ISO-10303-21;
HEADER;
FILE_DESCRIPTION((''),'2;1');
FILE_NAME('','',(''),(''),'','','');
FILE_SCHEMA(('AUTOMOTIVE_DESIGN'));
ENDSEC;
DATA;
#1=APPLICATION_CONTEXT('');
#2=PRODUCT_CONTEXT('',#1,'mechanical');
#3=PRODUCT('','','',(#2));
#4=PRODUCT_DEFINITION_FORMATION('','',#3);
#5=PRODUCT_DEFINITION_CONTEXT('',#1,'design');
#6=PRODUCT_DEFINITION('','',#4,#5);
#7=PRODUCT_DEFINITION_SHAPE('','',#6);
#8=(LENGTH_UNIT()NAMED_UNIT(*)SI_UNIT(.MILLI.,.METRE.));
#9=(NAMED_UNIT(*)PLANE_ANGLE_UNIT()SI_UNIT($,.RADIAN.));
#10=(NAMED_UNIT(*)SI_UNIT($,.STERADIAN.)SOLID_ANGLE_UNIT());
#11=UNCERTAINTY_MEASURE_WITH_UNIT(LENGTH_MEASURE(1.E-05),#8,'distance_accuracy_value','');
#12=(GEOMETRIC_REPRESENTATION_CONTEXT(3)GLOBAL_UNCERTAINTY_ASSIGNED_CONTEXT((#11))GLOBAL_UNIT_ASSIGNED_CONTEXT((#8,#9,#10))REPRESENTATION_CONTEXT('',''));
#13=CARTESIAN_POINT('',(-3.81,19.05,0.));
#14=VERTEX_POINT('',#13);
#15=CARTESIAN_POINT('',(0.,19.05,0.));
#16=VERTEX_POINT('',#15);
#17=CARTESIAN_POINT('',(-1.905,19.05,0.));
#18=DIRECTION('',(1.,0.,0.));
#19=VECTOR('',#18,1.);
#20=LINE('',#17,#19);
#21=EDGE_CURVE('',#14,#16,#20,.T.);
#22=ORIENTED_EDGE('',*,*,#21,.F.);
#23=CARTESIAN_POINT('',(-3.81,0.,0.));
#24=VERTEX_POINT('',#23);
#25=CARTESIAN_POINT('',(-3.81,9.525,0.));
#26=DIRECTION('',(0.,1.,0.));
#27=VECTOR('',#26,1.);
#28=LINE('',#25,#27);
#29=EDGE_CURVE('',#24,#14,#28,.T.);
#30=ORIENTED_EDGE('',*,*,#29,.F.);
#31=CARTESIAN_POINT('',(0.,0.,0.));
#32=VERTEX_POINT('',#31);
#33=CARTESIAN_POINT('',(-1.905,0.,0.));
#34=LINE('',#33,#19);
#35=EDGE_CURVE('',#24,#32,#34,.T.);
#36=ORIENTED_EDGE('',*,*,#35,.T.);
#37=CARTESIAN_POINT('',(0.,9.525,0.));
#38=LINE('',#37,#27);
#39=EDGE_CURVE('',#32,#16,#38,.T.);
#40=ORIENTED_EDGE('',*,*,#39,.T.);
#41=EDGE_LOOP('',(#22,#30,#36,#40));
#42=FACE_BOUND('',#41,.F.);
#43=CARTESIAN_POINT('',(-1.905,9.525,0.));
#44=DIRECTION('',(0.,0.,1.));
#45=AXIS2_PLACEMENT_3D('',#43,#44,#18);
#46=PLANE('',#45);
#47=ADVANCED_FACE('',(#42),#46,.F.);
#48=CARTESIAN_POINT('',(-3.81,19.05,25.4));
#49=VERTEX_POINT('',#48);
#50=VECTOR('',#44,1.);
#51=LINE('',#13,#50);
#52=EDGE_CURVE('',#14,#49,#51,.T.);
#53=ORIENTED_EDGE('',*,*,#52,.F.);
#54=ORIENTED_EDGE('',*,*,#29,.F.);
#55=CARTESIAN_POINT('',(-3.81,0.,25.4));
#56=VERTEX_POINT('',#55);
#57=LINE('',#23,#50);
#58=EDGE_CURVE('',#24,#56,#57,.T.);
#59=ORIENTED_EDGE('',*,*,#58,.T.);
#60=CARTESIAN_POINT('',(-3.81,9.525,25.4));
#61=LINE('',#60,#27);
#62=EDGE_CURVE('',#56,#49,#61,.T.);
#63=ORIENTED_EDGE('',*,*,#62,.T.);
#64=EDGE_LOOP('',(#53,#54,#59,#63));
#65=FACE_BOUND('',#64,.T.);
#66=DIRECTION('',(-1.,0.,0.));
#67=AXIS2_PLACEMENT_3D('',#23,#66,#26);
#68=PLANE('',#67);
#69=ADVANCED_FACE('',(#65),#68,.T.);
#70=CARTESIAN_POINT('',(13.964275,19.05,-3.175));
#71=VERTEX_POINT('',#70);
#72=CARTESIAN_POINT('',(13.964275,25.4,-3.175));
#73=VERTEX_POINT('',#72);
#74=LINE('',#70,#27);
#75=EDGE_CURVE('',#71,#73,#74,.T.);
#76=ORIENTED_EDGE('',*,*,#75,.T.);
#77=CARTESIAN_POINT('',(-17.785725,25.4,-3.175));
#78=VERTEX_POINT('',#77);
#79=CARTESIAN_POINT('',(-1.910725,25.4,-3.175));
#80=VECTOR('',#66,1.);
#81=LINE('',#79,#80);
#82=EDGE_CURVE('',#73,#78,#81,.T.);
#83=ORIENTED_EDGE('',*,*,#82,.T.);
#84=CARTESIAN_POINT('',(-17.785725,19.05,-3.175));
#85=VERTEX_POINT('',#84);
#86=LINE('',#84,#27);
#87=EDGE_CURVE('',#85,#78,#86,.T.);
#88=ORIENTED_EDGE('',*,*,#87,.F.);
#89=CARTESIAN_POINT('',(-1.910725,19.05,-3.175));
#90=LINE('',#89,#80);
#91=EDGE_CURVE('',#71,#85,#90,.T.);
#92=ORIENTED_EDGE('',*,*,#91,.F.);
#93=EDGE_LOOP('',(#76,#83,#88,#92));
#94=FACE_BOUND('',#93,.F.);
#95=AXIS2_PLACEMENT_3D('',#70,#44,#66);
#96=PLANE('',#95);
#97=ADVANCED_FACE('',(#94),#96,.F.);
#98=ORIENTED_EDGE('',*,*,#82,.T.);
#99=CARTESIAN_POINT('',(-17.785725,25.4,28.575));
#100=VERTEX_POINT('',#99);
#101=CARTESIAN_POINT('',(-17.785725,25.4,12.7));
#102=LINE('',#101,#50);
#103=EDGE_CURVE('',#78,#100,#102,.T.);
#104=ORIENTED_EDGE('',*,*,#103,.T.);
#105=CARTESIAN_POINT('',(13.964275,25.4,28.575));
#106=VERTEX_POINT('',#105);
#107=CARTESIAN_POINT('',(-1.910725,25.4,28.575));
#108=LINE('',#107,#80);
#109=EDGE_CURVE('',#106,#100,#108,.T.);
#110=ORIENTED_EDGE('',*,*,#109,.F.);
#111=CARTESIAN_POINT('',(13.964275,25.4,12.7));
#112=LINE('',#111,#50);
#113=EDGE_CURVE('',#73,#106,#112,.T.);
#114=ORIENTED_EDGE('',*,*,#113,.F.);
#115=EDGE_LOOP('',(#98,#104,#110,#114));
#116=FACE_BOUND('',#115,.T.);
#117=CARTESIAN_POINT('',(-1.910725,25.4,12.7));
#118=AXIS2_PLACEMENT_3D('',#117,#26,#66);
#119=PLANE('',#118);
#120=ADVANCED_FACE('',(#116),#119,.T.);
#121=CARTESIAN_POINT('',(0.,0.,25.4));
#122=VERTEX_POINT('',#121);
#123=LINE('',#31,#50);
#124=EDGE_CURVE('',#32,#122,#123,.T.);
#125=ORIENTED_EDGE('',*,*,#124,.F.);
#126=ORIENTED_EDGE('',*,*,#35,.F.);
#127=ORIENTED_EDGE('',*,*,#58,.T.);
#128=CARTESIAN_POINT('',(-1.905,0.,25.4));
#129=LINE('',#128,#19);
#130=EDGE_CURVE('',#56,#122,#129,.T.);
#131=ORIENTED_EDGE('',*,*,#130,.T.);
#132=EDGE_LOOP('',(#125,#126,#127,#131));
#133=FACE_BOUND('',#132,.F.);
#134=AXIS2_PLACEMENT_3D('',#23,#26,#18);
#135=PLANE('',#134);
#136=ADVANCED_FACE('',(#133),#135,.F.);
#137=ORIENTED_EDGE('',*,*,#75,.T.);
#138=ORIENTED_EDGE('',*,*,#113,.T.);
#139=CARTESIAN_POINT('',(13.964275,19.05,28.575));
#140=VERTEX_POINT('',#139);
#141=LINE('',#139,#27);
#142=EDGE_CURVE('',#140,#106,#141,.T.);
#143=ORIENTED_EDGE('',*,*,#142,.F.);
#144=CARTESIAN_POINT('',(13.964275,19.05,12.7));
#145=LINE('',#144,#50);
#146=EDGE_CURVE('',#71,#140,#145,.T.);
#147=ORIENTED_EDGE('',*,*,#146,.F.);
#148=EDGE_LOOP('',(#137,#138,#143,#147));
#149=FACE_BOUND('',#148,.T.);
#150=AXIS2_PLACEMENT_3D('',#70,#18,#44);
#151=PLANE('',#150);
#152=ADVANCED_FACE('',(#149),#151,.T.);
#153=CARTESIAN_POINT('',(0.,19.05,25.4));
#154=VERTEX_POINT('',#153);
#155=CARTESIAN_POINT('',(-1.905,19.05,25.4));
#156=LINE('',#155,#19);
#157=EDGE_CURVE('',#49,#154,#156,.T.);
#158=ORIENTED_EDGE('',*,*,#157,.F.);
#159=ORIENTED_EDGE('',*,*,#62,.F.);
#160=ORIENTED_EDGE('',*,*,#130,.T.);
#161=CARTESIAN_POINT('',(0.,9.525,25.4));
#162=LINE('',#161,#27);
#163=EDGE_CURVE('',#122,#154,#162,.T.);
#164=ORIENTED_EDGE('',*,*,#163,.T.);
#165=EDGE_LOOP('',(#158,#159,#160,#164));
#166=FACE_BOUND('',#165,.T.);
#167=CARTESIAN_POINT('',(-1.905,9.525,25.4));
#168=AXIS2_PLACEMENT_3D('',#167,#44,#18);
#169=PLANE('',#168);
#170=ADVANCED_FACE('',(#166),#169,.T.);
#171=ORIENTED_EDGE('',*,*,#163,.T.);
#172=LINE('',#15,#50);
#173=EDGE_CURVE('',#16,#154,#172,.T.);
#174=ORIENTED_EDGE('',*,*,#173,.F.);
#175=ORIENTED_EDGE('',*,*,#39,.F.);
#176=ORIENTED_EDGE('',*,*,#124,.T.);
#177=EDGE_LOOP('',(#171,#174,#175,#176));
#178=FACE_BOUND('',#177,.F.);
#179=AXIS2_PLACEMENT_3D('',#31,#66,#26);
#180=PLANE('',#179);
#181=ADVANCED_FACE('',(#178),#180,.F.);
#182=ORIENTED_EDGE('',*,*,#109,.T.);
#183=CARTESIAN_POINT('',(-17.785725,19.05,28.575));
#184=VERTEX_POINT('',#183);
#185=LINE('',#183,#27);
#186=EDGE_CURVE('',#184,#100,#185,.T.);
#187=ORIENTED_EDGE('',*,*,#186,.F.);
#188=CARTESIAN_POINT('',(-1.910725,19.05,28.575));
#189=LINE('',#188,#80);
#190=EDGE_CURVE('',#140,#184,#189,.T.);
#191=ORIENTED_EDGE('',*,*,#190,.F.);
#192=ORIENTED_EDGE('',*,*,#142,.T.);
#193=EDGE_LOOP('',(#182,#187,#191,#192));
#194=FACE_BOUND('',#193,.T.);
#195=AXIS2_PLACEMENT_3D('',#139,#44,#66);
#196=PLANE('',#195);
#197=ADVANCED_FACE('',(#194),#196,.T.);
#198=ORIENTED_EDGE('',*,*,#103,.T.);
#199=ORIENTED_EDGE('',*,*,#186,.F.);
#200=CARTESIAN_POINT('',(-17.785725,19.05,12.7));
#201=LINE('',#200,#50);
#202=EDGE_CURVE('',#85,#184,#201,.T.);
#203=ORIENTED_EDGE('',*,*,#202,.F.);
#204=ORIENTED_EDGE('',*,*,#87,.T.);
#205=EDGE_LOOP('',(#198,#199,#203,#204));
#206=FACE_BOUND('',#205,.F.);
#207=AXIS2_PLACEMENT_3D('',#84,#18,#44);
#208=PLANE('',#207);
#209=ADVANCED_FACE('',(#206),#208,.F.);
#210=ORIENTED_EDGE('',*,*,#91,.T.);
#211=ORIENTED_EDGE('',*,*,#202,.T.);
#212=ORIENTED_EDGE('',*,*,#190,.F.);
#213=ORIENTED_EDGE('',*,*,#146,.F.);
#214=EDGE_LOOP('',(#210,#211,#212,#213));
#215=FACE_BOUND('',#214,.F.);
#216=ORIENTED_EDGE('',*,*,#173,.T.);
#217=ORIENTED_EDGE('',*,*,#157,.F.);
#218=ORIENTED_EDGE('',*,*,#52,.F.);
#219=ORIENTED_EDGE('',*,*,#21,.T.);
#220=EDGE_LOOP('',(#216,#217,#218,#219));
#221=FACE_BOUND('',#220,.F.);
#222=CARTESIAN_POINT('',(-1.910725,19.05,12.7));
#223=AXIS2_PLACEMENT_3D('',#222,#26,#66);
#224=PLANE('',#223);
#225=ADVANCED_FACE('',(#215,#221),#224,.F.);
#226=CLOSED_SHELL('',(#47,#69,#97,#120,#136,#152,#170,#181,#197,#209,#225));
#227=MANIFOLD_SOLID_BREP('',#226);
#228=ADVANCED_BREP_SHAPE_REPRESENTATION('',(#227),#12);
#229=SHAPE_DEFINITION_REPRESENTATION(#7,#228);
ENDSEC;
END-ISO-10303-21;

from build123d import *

# Parameters (mm, degrees)
F0_W     = 3.81
F0_H     = 19.05
F1_DEPTH = 25.4
F2_W     = 31.75
F2_H     = 31.75
F2_W_2   = 3.81
F2_H_2   = 25.4
F3_DEPTH = 6.35


with BuildPart() as f1:
    # F0 (on Top) → F1 (new body)
    with BuildSketch(Plane.XY):
        with Locations((-1.905, 9.525)):
            Rectangle(F0_W, F0_H)
    extrude(amount=F1_DEPTH)

    # F2 (on face) → F3 (join)
    with BuildSketch(Plane(origin=(0, 19.05, 0), x_dir=(-1, 0, 0), z_dir=(0, 1, 0))):
        with Locations((1.910725, 12.7)):
            Rectangle(F2_W, F2_H)
        with Locations((1.905, 12.7)):
            Rectangle(F2_W_2, F2_H_2, mode=Mode.SUBTRACT)
        with Locations((1.905, 12.7)):
            Rectangle(F2_W_2, F2_H_2)
    extrude(amount=F3_DEPTH)


solid = f1.part
